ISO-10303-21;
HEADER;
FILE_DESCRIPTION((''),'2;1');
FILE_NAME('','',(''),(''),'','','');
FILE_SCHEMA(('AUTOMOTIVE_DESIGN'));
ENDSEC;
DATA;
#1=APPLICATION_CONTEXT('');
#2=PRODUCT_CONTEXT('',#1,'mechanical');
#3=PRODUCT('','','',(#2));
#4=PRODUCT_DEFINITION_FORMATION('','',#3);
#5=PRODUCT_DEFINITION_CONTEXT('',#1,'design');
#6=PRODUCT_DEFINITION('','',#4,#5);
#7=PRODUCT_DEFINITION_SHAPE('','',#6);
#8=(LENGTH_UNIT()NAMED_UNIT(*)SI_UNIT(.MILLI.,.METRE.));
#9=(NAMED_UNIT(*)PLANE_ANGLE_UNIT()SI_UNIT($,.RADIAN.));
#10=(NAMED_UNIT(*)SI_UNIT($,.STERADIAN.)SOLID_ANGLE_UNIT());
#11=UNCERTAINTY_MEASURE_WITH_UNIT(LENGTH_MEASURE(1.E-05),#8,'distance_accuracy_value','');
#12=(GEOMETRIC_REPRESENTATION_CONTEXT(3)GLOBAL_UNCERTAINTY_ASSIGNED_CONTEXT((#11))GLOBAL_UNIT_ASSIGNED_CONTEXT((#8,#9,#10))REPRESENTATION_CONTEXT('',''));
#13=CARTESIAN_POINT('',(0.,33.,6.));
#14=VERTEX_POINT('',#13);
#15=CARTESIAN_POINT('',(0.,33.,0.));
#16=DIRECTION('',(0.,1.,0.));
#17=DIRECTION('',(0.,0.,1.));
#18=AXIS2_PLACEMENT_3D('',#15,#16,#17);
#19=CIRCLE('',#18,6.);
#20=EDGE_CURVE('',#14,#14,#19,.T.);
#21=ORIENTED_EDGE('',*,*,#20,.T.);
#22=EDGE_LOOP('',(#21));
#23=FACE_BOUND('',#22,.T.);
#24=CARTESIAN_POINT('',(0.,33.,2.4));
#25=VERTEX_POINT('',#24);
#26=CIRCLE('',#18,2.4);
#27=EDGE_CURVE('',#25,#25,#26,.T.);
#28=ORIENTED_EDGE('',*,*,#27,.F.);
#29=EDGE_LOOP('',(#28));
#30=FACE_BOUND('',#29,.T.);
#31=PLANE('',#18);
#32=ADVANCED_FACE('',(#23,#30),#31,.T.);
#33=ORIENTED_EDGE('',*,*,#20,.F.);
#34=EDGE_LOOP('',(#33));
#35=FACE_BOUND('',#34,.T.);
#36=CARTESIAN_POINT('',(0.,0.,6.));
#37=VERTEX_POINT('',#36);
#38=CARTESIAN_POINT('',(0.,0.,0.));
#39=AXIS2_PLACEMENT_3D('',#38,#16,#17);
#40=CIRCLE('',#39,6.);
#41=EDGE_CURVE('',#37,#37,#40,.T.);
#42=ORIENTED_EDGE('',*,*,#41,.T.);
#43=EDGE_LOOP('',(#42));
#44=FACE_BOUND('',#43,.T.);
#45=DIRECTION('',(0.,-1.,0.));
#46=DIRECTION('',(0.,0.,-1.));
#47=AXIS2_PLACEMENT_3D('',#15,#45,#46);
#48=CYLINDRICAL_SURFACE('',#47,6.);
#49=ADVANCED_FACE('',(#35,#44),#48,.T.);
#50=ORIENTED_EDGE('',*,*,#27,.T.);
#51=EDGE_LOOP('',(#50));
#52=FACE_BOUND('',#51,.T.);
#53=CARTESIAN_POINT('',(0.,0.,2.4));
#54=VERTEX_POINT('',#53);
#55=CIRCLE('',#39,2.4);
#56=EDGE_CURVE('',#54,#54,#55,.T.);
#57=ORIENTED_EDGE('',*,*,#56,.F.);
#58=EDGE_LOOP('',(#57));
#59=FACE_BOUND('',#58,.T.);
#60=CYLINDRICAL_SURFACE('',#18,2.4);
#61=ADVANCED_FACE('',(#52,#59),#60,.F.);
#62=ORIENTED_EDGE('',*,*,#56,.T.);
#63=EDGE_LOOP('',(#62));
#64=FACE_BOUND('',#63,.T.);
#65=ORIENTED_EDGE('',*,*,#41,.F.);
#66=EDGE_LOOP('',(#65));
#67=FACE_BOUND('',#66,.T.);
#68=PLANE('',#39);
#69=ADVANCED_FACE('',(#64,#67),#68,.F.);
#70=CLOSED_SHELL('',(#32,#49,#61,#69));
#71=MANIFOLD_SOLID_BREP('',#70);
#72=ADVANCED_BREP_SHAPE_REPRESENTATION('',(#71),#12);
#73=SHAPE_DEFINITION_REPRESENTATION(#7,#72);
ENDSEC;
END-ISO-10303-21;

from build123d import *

# Parameters (mm, degrees)
SKETCH1_R            = 6
BOSS_EXTRUDE1_DEPTH  = 33
M4_CLEARANCE_HOLE1_D = 4.8


with BuildPart() as part:
    # Sketch1 → Boss-Extrude1 (new body)
    with BuildSketch(Plane(origin=(0, 0, 0), x_dir=(1, 0, 0), z_dir=(0, 1, 0))):
        with Locations(Location((0, 0, 0), (0, 0, 270))):
            Circle(SKETCH1_R)
    extrude(amount=BOSS_EXTRUDE1_DEPTH)

    # M4 Clearance Hole1 (through all)
    with Locations(Plane.ZX.offset(33)):
        with Locations((0, 0)):
            Hole(M4_CLEARANCE_HOLE1_D / 2)


solid = part.part
